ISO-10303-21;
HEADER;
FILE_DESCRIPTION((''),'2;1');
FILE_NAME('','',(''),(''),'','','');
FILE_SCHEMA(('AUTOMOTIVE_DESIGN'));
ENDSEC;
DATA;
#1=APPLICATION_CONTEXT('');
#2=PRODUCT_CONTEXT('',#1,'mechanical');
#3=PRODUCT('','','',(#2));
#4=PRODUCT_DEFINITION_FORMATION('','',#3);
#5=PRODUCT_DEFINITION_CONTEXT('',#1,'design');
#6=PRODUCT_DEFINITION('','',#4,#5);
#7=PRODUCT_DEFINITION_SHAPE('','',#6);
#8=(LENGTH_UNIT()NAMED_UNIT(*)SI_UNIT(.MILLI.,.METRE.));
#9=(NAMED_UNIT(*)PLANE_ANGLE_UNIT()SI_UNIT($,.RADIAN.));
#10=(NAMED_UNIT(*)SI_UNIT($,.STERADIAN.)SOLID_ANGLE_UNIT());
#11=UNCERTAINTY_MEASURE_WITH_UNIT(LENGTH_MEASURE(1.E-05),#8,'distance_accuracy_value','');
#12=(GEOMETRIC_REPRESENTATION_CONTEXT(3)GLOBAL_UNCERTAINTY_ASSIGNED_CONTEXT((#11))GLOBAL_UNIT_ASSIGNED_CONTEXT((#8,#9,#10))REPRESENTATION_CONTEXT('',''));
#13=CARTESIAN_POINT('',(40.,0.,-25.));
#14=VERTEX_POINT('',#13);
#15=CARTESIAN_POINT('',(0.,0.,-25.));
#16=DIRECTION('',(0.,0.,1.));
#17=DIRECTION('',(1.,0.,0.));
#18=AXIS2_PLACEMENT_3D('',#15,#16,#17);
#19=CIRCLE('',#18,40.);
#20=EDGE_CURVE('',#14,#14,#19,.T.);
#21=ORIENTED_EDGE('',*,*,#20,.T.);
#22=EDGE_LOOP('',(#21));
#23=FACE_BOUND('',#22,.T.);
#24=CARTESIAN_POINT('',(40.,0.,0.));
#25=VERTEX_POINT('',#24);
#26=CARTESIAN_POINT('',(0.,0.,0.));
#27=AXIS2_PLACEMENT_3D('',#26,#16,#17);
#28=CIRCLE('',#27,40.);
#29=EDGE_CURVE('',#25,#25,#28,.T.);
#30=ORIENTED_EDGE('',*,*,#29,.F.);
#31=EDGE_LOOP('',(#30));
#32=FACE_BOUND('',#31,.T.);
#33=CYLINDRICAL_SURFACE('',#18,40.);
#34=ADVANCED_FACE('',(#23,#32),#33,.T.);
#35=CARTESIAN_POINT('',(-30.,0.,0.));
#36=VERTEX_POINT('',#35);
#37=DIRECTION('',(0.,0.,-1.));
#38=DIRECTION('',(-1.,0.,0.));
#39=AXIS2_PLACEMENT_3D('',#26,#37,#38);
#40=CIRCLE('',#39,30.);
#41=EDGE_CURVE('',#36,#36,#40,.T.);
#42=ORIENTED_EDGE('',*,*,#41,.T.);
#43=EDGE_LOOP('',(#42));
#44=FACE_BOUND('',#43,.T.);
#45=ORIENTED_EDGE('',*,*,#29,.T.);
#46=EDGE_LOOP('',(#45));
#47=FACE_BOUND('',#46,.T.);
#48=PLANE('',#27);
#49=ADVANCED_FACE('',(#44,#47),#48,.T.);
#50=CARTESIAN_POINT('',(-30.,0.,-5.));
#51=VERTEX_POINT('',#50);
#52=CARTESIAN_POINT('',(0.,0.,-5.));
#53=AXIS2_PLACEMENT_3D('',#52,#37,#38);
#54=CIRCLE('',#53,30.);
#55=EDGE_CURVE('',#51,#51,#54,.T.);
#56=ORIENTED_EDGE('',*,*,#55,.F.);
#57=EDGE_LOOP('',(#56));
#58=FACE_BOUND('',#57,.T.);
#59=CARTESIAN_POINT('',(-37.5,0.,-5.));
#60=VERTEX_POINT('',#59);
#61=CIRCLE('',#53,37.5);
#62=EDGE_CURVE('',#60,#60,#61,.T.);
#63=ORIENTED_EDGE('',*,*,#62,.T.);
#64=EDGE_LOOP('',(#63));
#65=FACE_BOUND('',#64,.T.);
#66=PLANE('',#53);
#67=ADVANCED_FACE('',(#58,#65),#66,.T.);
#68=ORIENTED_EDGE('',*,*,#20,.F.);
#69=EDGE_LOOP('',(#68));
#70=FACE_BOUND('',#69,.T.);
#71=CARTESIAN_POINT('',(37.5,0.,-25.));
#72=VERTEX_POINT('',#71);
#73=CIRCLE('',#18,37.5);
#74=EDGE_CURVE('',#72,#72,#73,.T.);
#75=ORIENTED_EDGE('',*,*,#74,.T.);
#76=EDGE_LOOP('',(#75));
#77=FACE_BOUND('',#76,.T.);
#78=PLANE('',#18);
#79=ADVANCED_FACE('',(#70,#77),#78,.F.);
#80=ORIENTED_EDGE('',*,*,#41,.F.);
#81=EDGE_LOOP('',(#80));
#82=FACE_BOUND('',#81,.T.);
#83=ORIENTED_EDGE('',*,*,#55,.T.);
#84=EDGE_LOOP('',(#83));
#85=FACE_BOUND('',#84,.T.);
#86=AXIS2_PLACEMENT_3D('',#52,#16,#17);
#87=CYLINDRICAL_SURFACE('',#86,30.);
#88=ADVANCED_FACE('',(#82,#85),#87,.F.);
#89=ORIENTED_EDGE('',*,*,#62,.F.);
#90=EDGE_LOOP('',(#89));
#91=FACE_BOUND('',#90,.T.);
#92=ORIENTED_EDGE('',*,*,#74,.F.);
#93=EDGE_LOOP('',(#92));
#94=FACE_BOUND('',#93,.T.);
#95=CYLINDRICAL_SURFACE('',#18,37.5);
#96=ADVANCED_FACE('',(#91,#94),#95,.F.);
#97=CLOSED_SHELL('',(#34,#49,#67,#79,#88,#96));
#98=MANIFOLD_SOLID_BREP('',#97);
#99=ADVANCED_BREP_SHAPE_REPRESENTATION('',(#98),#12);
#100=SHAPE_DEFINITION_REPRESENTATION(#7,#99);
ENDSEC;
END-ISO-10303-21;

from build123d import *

# Parameters (mm, degrees)
SKETCH1_R           = 40
SKETCH1_R_2         = 37.5
BOSS_EXTRUDE1_DEPTH = 25
SKETCH2_R           = 37.5
SKETCH2_R_2         = 30
BOSS_EXTRUDE3_DEPTH = 5


with BuildPart() as part:
    # Sketch1 → Boss-Extrude1 (new body)
    with BuildSketch(Plane.XY):
        Circle(SKETCH1_R)
        Circle(SKETCH1_R_2, mode=Mode.SUBTRACT)
    extrude(amount=-BOSS_EXTRUDE1_DEPTH)

    # Sketch2 → Boss-Extrude3 (add)
    with BuildSketch(Plane(origin=(0, 0, 0), x_dir=(-1, 0, 0), z_dir=(0, 0, -1))):
        with Locations(Location((0, 0, 0), (0, 0, 180))):
            Circle(SKETCH2_R)
        Circle(SKETCH2_R_2, mode=Mode.SUBTRACT)
    extrude(amount=BOSS_EXTRUDE3_DEPTH)


solid = part.part
